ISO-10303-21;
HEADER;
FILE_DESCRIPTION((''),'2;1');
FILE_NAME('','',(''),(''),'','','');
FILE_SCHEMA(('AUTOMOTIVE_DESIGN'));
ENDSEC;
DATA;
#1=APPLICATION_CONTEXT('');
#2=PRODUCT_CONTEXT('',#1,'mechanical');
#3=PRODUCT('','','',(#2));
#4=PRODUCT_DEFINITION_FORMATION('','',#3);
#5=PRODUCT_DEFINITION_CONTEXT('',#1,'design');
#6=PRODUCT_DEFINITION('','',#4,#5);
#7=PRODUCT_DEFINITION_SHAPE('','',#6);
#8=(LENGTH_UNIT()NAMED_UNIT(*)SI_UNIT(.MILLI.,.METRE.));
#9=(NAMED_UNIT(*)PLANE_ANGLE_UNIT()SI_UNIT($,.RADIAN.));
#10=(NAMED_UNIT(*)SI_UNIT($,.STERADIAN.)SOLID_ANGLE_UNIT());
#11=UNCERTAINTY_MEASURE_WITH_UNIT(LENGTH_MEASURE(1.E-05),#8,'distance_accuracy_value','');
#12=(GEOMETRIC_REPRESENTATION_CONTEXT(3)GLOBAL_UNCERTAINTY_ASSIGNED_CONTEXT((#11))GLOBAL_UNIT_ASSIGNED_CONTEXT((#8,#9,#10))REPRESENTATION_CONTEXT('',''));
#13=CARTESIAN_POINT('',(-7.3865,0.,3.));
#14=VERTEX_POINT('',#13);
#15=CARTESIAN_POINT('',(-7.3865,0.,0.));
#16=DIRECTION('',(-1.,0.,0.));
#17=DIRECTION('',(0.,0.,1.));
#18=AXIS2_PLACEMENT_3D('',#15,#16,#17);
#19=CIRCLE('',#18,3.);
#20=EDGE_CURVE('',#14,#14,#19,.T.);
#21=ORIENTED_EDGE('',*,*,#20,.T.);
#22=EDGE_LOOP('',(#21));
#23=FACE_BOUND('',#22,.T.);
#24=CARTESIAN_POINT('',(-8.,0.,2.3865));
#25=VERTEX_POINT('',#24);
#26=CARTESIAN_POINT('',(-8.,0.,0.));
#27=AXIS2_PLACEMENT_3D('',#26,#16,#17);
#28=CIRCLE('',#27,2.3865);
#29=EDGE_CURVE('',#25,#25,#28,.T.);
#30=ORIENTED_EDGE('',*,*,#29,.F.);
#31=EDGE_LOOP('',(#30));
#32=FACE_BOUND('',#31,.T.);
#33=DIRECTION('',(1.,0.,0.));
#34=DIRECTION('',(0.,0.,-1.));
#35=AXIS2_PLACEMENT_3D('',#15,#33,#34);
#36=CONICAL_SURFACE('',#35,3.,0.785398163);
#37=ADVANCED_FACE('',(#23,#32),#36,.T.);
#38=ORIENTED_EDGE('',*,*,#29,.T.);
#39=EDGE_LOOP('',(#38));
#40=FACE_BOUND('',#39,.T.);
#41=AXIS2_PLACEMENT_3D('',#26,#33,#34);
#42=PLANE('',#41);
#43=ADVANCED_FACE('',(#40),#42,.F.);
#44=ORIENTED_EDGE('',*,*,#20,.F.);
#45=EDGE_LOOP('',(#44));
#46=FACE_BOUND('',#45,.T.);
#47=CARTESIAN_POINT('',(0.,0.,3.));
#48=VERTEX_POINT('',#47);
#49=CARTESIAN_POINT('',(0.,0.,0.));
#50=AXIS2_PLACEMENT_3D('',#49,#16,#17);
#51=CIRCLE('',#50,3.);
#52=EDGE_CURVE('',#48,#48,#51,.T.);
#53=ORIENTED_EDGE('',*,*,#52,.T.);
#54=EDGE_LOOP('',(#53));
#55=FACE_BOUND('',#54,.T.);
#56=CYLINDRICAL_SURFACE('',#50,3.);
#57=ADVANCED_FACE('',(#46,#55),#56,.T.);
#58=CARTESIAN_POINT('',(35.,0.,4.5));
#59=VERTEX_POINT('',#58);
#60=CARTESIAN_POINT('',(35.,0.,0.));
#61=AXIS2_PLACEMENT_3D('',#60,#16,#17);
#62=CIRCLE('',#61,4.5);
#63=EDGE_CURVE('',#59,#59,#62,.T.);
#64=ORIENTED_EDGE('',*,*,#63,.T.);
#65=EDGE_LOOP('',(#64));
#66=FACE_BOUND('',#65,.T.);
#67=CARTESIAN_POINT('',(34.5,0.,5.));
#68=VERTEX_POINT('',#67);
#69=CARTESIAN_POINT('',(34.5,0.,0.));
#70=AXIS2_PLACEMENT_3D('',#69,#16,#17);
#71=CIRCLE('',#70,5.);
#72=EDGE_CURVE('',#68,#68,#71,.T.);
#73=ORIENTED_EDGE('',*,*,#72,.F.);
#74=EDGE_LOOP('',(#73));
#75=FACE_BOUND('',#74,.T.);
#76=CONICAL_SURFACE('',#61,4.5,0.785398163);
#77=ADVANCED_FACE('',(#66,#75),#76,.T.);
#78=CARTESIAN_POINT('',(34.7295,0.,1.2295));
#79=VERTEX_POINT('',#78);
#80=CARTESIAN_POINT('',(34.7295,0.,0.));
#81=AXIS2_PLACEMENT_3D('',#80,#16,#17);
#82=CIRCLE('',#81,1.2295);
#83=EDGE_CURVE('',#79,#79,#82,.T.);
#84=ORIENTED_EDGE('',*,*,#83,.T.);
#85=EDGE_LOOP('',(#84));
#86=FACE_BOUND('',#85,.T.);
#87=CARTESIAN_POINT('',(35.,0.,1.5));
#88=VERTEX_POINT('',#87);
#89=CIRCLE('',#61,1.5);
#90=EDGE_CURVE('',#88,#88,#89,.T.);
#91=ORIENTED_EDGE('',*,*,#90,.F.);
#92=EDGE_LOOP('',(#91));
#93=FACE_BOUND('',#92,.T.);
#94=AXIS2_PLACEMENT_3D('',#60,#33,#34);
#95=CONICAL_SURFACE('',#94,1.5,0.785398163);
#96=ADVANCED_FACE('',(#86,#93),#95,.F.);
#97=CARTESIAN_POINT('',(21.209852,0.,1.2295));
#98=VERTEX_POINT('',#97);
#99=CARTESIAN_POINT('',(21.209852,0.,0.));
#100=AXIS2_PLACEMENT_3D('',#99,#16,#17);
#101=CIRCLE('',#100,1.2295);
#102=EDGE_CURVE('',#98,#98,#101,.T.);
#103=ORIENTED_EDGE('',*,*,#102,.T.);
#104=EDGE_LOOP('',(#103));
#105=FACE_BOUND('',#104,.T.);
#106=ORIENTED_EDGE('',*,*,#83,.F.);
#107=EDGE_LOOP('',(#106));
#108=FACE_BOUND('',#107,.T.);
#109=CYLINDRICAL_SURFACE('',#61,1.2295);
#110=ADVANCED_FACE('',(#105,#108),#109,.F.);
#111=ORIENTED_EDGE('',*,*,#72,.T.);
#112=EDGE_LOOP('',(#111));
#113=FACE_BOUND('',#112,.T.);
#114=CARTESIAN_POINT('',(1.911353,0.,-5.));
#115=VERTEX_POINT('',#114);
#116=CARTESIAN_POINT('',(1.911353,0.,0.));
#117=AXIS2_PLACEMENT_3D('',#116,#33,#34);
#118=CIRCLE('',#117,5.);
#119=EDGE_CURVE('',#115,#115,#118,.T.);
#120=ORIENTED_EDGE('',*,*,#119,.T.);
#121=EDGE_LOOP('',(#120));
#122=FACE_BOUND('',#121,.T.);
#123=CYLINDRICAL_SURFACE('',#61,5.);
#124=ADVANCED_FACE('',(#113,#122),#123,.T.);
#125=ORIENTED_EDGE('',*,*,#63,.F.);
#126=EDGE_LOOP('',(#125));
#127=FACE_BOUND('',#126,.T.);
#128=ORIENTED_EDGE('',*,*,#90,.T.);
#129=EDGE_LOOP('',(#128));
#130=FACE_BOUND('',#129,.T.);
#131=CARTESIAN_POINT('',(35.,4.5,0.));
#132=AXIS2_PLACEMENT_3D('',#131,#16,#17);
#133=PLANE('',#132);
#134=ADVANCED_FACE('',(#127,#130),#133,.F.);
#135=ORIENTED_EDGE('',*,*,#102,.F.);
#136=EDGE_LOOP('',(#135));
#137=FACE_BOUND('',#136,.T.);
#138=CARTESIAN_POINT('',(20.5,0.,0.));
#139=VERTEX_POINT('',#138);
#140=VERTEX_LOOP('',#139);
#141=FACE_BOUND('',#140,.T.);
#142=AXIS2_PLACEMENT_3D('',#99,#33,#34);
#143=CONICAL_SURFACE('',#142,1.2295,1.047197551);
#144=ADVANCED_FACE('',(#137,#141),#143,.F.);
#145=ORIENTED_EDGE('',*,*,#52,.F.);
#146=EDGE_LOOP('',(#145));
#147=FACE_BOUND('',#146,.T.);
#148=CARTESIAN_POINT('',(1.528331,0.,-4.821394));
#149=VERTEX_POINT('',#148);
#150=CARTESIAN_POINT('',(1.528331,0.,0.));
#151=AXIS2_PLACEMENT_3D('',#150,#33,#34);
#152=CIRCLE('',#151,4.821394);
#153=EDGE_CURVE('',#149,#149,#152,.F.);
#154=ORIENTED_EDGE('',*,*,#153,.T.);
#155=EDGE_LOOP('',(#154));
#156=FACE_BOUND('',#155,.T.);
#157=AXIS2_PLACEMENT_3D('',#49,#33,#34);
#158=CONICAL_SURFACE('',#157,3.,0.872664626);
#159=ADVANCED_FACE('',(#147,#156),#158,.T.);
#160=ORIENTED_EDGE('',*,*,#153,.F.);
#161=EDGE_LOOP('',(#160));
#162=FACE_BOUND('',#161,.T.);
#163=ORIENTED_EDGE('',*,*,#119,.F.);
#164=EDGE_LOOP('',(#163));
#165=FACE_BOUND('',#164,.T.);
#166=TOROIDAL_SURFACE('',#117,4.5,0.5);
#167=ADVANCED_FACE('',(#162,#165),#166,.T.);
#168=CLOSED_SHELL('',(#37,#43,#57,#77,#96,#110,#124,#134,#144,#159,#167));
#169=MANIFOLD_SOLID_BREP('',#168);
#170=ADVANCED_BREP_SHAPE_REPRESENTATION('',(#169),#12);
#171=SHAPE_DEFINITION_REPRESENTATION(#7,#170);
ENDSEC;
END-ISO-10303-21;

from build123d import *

# Parameters (mm, degrees)
FILLET1_R = 0.5


with BuildPart() as part:
    # Sketch1 → Revolve1 (revolve)
    with BuildSketch(Plane.XY, mode=Mode.PRIVATE) as revolve1_sk:
        Polygon((0, 0), (0, 4.5), (0.5, 5), (34.5, 5), (35, 4.5), (35, 0), align=None)
    revolve(revolve1_sk.sketch.rotate(Axis((35, 0, 0), (-1, 0, 0)), 270), axis=Axis((35, 0, 0), (-1, 0, 0)))

    # Sketch2 → Revolve2 (revolve)
    with BuildSketch(Plane.XY, mode=Mode.PRIVATE) as revolve2_sk:
        Polygon((-8, 0), (-8, 2.3865), (-7.3865, 3), (0, 3), (0, 0), align=None)
    revolve(revolve2_sk.sketch.rotate(Axis((0, 0, 0), (-1, 0, 0)), 270), axis=Axis((0, 0, 0), (-1, 0, 0)))

    # Sketch3 → Cut-Revolve1 (revolve, cut)
    with BuildSketch(Plane.XY, mode=Mode.PRIVATE) as cut_revolve1_sk:
        Polygon((20.5, 0), (21.209852156, 1.2295), (34.7295, 1.2295), (35, 1.5), (35, 0), align=None)
    revolve(cut_revolve1_sk.sketch.rotate(Axis((35, 0, 0), (-1, 0, 0)), 270), axis=Axis((35, 0, 0), (-1, 0, 0)), mode=Mode.SUBTRACT)

    # Sketch5 → Cut-Revolve2 (revolve, cut)
    with BuildSketch(Plane(origin=(0, 0, 0), x_dir=(1, 0, 0), z_dir=(0, 1, 0)), mode=Mode.PRIVATE) as cut_revolve2_sk:
        Polygon((0, 3), (1.678199262, 5), (0, 5), align=None)
    revolve(cut_revolve2_sk.sketch.rotate(Axis((0, 0, 0), (1, 0, 0)), 180), axis=Axis((0, 0, 0), (1, 0, 0)), mode=Mode.SUBTRACT)

    # Fillet1
    fillet1_edges = [part.edges().sort_by_distance(p)[0] for p in [
        (1.678199262, 0, -5),
    ]]
    fillet(fillet1_edges, radius=FILLET1_R)


solid = part.part
